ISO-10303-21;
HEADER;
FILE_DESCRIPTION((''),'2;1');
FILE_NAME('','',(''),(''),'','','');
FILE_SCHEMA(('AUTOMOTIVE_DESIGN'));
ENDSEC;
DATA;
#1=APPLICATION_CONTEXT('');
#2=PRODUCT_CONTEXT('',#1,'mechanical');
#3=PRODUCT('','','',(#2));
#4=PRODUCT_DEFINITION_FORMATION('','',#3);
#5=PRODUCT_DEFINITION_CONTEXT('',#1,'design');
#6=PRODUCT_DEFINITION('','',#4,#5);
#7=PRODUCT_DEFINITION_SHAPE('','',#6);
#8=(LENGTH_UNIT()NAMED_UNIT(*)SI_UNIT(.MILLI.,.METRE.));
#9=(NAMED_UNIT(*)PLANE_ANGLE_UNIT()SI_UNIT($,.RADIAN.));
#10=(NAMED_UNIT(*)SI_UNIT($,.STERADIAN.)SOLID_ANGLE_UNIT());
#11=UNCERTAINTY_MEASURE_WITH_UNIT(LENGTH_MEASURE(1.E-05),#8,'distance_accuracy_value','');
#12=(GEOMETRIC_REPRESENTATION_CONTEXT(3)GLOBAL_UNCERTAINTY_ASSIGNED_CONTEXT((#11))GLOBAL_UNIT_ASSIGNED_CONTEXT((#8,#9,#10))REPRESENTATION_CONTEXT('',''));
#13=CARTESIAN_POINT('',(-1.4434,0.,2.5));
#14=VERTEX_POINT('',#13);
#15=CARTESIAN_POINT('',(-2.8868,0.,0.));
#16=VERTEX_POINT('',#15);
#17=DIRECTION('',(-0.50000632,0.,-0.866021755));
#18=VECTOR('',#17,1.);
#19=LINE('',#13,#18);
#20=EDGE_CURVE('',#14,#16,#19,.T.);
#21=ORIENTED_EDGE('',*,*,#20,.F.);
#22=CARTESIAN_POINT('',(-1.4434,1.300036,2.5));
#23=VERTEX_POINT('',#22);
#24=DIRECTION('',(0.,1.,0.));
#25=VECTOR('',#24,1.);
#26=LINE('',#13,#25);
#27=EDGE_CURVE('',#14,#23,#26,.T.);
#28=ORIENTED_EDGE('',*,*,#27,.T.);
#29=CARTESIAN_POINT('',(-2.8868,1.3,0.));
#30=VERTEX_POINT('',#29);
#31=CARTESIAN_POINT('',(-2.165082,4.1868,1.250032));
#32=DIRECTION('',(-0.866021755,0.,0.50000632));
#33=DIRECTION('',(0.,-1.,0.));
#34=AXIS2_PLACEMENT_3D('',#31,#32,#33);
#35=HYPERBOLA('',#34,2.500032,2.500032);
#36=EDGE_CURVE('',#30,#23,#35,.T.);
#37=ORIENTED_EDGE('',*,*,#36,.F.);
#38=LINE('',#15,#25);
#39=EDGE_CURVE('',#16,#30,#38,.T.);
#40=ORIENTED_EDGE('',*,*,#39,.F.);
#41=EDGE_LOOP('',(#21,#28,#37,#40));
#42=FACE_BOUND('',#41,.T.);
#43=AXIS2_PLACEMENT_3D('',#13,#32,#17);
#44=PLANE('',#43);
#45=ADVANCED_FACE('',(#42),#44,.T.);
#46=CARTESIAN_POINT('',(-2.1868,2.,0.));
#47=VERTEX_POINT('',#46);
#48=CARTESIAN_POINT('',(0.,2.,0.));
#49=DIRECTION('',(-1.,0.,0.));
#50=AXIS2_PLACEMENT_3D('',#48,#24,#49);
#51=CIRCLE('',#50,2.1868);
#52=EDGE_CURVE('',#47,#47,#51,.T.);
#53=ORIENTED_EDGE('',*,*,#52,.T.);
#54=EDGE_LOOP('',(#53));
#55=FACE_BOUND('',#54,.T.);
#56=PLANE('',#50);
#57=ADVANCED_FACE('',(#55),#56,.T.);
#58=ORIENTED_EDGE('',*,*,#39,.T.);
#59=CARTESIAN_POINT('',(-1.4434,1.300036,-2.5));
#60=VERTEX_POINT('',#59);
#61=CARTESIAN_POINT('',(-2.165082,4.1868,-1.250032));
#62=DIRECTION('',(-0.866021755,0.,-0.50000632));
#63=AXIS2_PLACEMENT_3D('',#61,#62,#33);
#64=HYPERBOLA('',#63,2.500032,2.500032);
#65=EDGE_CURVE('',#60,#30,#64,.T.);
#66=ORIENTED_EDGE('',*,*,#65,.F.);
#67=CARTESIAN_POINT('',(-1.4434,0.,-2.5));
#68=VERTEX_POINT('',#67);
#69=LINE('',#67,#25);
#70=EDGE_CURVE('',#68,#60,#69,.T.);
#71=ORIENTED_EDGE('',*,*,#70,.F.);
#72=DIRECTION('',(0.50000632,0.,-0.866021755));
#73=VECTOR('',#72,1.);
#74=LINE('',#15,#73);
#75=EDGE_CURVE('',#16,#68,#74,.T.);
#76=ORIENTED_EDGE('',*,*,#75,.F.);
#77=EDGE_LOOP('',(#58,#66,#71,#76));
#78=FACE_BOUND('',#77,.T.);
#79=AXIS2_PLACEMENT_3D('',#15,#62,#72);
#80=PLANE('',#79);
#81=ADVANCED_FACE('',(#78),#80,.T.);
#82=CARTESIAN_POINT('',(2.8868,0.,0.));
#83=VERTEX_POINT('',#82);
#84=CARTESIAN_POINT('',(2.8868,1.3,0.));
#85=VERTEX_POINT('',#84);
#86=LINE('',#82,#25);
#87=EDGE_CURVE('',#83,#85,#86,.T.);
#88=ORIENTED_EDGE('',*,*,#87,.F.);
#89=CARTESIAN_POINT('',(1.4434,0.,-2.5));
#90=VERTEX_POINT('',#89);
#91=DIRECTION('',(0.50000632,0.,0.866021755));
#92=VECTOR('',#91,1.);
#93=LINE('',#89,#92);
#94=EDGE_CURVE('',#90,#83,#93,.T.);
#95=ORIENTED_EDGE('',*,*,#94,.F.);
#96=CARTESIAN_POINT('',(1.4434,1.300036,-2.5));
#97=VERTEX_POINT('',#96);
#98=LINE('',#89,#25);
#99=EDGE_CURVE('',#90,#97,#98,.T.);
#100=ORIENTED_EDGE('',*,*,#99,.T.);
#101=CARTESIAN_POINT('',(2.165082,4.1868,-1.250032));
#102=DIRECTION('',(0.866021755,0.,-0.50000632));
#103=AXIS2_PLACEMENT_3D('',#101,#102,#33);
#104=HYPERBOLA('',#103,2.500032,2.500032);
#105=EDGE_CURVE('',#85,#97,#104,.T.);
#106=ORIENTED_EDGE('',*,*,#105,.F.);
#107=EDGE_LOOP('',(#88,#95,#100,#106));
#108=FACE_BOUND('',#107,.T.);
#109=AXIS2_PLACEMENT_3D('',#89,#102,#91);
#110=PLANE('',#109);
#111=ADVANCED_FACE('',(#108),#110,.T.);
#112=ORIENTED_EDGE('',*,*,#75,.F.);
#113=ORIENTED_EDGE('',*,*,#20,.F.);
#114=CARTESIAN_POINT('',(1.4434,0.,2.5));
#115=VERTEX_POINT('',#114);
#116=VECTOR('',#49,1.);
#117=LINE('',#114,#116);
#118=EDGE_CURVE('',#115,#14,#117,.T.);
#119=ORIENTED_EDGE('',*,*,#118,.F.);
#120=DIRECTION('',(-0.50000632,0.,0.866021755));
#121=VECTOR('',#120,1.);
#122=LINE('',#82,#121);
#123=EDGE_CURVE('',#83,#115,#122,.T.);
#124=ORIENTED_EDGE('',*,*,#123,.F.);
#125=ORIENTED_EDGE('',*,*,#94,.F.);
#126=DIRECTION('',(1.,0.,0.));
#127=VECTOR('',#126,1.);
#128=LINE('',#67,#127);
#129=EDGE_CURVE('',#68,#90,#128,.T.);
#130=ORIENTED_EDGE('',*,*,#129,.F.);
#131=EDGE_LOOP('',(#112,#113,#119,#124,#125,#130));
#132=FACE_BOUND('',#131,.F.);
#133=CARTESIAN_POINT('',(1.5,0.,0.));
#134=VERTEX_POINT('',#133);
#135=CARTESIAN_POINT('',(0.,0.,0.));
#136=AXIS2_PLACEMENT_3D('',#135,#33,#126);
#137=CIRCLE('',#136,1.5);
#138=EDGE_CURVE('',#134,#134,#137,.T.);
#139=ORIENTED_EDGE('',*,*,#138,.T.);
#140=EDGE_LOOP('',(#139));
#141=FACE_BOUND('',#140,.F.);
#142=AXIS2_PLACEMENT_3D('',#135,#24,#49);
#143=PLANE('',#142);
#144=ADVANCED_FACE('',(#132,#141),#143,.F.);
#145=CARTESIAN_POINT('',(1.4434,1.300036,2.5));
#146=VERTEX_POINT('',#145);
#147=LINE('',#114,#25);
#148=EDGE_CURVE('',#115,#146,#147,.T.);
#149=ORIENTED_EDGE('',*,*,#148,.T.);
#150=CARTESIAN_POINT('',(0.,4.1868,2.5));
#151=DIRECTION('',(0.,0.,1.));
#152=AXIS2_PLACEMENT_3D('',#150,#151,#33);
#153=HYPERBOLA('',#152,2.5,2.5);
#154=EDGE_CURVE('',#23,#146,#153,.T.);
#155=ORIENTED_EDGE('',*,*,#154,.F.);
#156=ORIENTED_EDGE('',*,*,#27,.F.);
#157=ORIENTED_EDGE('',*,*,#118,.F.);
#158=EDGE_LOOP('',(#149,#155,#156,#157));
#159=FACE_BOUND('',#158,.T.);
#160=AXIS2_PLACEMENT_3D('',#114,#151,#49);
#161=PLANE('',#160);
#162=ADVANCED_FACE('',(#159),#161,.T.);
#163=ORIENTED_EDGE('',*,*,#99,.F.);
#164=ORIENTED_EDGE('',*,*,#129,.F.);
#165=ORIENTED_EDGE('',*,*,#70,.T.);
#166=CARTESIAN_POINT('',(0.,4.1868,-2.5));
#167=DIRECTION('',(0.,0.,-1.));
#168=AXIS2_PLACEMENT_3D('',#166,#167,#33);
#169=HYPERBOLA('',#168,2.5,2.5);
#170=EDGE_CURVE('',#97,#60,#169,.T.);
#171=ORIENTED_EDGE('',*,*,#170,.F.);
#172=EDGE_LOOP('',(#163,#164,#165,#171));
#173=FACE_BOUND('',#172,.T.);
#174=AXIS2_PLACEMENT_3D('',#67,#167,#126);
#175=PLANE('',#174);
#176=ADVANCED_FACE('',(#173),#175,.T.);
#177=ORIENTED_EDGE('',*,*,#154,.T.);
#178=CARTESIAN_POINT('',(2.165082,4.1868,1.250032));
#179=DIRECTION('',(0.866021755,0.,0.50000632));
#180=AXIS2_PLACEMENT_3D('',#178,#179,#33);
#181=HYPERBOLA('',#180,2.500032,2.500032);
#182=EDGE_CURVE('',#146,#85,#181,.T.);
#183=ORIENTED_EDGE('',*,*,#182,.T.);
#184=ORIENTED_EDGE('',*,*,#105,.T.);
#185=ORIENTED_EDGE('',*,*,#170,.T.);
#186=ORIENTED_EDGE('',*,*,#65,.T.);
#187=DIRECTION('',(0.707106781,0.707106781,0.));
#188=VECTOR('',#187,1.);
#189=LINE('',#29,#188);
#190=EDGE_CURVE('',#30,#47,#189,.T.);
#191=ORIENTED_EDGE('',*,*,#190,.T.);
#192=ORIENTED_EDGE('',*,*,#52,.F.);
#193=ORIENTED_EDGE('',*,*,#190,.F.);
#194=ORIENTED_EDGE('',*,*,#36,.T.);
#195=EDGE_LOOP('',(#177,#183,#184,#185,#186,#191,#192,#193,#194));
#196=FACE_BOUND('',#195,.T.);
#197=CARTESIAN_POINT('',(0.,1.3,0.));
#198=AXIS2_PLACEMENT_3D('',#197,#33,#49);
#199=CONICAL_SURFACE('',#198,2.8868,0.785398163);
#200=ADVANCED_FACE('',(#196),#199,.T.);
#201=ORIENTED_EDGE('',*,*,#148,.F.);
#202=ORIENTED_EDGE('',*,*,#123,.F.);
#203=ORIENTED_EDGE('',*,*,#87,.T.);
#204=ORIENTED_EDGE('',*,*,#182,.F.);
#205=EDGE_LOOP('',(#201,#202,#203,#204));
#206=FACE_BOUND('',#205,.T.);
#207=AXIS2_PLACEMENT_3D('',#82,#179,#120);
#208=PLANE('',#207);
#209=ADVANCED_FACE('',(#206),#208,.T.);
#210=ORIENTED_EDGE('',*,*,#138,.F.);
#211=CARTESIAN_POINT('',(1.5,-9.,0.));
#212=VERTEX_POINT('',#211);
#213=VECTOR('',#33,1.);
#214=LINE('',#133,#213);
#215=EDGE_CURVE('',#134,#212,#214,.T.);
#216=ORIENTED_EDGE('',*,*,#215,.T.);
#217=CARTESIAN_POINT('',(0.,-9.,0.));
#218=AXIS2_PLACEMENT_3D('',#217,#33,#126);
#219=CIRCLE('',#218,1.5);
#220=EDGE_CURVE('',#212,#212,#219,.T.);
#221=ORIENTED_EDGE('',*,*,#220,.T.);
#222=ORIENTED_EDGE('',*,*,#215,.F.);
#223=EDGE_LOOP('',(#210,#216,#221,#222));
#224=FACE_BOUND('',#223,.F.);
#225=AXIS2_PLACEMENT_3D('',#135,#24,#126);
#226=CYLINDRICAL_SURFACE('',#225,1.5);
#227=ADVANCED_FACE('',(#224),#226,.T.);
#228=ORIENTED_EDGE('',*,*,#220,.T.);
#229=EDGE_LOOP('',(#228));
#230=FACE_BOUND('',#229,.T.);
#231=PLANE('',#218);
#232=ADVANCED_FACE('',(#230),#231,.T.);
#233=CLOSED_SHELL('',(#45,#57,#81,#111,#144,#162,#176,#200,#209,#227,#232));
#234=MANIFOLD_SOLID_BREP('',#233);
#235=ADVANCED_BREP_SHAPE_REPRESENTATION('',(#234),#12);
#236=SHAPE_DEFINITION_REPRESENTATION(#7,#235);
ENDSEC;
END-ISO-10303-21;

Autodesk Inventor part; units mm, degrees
ref_plane "YZ Plane" through (0, 0, 0) normal (1, 0, 0) x (0, 1, 0)
ref_plane "XZ Plane" through (0, 0, 0) normal (0, 1, 0) x (-1, 0, 0)
ref_plane "XY Plane" through (0, 0, 0) normal (0, 0, 1) x (1, 0, 0)
sketch "Boceto1" plane through (0, 0, 0) normal (0, 1, 0) x (-1, 0, 0)
  point P0 (0, 0)
sketch "Boceto2" plane through (0, 0, 0) normal (0, 1, 0) x (-1, 0, 0)
  line L0 (1.4434, -2.5) -> (-1.4434, -2.5)
  line L1 (-1.4434, -2.5) -> (-2.8868, 0)
  line L2 (-2.8868, 0) -> (-1.4434, 2.5)
  line L3 (-1.4434, 2.5) -> (1.4434, 2.5)
  line L4 (1.4434, 2.5) -> (2.8868, 0)
  line L5 (2.8868, 0) -> (1.4434, -2.5)
  point P0 (0, 0)
  point P1 (0, 0)
  dimension "d0" = 5
extrude "Extrusión1" add sketch "Boceto2" along normal blind 2
sketch "Boceto3" plane through (0, 0, 0) normal (0, -1, 0) x (1, 0, 0)
  circle A0 centre (0, 0) radius 1.5
  dimension "d3" = 3
extrude "Extrusión2" add sketch "Boceto3" along normal blind 9
sketch "Boceto4" plane through (0, 0, 0) normal (0, 0, 1) x (1, 0, 0)
  line L0 (-2.8868, 0) -> (-2.8868, 2) projected
  line L1 (-2.8868, 1.3) -> (-2.8868, 2)
  line L2 (-2.8868, 2) -> (-2.1868, 2)
  line L3 (-2.8868, 2) -> (-1.4434, 2) projected
  line L4 (-2.8868, 1.3) -> (-2.1868, 2)
  line L5 (0, -11.2) -> (0, 4.2) projected
  point P0 (0, 0)
  dimension "d6" = 0.7
  dimension "d7" = 0.7
revolve "Revolución1" cut sketch "Boceto4" angle 360 about axis through (0, -10, 0) along (0, 1, 0)
thread "Rosca1" size "M3x0.5" class "6g" standard "ISO Metric profile" full length
properties part number "Tornillo" material "Acero inoxidable"
